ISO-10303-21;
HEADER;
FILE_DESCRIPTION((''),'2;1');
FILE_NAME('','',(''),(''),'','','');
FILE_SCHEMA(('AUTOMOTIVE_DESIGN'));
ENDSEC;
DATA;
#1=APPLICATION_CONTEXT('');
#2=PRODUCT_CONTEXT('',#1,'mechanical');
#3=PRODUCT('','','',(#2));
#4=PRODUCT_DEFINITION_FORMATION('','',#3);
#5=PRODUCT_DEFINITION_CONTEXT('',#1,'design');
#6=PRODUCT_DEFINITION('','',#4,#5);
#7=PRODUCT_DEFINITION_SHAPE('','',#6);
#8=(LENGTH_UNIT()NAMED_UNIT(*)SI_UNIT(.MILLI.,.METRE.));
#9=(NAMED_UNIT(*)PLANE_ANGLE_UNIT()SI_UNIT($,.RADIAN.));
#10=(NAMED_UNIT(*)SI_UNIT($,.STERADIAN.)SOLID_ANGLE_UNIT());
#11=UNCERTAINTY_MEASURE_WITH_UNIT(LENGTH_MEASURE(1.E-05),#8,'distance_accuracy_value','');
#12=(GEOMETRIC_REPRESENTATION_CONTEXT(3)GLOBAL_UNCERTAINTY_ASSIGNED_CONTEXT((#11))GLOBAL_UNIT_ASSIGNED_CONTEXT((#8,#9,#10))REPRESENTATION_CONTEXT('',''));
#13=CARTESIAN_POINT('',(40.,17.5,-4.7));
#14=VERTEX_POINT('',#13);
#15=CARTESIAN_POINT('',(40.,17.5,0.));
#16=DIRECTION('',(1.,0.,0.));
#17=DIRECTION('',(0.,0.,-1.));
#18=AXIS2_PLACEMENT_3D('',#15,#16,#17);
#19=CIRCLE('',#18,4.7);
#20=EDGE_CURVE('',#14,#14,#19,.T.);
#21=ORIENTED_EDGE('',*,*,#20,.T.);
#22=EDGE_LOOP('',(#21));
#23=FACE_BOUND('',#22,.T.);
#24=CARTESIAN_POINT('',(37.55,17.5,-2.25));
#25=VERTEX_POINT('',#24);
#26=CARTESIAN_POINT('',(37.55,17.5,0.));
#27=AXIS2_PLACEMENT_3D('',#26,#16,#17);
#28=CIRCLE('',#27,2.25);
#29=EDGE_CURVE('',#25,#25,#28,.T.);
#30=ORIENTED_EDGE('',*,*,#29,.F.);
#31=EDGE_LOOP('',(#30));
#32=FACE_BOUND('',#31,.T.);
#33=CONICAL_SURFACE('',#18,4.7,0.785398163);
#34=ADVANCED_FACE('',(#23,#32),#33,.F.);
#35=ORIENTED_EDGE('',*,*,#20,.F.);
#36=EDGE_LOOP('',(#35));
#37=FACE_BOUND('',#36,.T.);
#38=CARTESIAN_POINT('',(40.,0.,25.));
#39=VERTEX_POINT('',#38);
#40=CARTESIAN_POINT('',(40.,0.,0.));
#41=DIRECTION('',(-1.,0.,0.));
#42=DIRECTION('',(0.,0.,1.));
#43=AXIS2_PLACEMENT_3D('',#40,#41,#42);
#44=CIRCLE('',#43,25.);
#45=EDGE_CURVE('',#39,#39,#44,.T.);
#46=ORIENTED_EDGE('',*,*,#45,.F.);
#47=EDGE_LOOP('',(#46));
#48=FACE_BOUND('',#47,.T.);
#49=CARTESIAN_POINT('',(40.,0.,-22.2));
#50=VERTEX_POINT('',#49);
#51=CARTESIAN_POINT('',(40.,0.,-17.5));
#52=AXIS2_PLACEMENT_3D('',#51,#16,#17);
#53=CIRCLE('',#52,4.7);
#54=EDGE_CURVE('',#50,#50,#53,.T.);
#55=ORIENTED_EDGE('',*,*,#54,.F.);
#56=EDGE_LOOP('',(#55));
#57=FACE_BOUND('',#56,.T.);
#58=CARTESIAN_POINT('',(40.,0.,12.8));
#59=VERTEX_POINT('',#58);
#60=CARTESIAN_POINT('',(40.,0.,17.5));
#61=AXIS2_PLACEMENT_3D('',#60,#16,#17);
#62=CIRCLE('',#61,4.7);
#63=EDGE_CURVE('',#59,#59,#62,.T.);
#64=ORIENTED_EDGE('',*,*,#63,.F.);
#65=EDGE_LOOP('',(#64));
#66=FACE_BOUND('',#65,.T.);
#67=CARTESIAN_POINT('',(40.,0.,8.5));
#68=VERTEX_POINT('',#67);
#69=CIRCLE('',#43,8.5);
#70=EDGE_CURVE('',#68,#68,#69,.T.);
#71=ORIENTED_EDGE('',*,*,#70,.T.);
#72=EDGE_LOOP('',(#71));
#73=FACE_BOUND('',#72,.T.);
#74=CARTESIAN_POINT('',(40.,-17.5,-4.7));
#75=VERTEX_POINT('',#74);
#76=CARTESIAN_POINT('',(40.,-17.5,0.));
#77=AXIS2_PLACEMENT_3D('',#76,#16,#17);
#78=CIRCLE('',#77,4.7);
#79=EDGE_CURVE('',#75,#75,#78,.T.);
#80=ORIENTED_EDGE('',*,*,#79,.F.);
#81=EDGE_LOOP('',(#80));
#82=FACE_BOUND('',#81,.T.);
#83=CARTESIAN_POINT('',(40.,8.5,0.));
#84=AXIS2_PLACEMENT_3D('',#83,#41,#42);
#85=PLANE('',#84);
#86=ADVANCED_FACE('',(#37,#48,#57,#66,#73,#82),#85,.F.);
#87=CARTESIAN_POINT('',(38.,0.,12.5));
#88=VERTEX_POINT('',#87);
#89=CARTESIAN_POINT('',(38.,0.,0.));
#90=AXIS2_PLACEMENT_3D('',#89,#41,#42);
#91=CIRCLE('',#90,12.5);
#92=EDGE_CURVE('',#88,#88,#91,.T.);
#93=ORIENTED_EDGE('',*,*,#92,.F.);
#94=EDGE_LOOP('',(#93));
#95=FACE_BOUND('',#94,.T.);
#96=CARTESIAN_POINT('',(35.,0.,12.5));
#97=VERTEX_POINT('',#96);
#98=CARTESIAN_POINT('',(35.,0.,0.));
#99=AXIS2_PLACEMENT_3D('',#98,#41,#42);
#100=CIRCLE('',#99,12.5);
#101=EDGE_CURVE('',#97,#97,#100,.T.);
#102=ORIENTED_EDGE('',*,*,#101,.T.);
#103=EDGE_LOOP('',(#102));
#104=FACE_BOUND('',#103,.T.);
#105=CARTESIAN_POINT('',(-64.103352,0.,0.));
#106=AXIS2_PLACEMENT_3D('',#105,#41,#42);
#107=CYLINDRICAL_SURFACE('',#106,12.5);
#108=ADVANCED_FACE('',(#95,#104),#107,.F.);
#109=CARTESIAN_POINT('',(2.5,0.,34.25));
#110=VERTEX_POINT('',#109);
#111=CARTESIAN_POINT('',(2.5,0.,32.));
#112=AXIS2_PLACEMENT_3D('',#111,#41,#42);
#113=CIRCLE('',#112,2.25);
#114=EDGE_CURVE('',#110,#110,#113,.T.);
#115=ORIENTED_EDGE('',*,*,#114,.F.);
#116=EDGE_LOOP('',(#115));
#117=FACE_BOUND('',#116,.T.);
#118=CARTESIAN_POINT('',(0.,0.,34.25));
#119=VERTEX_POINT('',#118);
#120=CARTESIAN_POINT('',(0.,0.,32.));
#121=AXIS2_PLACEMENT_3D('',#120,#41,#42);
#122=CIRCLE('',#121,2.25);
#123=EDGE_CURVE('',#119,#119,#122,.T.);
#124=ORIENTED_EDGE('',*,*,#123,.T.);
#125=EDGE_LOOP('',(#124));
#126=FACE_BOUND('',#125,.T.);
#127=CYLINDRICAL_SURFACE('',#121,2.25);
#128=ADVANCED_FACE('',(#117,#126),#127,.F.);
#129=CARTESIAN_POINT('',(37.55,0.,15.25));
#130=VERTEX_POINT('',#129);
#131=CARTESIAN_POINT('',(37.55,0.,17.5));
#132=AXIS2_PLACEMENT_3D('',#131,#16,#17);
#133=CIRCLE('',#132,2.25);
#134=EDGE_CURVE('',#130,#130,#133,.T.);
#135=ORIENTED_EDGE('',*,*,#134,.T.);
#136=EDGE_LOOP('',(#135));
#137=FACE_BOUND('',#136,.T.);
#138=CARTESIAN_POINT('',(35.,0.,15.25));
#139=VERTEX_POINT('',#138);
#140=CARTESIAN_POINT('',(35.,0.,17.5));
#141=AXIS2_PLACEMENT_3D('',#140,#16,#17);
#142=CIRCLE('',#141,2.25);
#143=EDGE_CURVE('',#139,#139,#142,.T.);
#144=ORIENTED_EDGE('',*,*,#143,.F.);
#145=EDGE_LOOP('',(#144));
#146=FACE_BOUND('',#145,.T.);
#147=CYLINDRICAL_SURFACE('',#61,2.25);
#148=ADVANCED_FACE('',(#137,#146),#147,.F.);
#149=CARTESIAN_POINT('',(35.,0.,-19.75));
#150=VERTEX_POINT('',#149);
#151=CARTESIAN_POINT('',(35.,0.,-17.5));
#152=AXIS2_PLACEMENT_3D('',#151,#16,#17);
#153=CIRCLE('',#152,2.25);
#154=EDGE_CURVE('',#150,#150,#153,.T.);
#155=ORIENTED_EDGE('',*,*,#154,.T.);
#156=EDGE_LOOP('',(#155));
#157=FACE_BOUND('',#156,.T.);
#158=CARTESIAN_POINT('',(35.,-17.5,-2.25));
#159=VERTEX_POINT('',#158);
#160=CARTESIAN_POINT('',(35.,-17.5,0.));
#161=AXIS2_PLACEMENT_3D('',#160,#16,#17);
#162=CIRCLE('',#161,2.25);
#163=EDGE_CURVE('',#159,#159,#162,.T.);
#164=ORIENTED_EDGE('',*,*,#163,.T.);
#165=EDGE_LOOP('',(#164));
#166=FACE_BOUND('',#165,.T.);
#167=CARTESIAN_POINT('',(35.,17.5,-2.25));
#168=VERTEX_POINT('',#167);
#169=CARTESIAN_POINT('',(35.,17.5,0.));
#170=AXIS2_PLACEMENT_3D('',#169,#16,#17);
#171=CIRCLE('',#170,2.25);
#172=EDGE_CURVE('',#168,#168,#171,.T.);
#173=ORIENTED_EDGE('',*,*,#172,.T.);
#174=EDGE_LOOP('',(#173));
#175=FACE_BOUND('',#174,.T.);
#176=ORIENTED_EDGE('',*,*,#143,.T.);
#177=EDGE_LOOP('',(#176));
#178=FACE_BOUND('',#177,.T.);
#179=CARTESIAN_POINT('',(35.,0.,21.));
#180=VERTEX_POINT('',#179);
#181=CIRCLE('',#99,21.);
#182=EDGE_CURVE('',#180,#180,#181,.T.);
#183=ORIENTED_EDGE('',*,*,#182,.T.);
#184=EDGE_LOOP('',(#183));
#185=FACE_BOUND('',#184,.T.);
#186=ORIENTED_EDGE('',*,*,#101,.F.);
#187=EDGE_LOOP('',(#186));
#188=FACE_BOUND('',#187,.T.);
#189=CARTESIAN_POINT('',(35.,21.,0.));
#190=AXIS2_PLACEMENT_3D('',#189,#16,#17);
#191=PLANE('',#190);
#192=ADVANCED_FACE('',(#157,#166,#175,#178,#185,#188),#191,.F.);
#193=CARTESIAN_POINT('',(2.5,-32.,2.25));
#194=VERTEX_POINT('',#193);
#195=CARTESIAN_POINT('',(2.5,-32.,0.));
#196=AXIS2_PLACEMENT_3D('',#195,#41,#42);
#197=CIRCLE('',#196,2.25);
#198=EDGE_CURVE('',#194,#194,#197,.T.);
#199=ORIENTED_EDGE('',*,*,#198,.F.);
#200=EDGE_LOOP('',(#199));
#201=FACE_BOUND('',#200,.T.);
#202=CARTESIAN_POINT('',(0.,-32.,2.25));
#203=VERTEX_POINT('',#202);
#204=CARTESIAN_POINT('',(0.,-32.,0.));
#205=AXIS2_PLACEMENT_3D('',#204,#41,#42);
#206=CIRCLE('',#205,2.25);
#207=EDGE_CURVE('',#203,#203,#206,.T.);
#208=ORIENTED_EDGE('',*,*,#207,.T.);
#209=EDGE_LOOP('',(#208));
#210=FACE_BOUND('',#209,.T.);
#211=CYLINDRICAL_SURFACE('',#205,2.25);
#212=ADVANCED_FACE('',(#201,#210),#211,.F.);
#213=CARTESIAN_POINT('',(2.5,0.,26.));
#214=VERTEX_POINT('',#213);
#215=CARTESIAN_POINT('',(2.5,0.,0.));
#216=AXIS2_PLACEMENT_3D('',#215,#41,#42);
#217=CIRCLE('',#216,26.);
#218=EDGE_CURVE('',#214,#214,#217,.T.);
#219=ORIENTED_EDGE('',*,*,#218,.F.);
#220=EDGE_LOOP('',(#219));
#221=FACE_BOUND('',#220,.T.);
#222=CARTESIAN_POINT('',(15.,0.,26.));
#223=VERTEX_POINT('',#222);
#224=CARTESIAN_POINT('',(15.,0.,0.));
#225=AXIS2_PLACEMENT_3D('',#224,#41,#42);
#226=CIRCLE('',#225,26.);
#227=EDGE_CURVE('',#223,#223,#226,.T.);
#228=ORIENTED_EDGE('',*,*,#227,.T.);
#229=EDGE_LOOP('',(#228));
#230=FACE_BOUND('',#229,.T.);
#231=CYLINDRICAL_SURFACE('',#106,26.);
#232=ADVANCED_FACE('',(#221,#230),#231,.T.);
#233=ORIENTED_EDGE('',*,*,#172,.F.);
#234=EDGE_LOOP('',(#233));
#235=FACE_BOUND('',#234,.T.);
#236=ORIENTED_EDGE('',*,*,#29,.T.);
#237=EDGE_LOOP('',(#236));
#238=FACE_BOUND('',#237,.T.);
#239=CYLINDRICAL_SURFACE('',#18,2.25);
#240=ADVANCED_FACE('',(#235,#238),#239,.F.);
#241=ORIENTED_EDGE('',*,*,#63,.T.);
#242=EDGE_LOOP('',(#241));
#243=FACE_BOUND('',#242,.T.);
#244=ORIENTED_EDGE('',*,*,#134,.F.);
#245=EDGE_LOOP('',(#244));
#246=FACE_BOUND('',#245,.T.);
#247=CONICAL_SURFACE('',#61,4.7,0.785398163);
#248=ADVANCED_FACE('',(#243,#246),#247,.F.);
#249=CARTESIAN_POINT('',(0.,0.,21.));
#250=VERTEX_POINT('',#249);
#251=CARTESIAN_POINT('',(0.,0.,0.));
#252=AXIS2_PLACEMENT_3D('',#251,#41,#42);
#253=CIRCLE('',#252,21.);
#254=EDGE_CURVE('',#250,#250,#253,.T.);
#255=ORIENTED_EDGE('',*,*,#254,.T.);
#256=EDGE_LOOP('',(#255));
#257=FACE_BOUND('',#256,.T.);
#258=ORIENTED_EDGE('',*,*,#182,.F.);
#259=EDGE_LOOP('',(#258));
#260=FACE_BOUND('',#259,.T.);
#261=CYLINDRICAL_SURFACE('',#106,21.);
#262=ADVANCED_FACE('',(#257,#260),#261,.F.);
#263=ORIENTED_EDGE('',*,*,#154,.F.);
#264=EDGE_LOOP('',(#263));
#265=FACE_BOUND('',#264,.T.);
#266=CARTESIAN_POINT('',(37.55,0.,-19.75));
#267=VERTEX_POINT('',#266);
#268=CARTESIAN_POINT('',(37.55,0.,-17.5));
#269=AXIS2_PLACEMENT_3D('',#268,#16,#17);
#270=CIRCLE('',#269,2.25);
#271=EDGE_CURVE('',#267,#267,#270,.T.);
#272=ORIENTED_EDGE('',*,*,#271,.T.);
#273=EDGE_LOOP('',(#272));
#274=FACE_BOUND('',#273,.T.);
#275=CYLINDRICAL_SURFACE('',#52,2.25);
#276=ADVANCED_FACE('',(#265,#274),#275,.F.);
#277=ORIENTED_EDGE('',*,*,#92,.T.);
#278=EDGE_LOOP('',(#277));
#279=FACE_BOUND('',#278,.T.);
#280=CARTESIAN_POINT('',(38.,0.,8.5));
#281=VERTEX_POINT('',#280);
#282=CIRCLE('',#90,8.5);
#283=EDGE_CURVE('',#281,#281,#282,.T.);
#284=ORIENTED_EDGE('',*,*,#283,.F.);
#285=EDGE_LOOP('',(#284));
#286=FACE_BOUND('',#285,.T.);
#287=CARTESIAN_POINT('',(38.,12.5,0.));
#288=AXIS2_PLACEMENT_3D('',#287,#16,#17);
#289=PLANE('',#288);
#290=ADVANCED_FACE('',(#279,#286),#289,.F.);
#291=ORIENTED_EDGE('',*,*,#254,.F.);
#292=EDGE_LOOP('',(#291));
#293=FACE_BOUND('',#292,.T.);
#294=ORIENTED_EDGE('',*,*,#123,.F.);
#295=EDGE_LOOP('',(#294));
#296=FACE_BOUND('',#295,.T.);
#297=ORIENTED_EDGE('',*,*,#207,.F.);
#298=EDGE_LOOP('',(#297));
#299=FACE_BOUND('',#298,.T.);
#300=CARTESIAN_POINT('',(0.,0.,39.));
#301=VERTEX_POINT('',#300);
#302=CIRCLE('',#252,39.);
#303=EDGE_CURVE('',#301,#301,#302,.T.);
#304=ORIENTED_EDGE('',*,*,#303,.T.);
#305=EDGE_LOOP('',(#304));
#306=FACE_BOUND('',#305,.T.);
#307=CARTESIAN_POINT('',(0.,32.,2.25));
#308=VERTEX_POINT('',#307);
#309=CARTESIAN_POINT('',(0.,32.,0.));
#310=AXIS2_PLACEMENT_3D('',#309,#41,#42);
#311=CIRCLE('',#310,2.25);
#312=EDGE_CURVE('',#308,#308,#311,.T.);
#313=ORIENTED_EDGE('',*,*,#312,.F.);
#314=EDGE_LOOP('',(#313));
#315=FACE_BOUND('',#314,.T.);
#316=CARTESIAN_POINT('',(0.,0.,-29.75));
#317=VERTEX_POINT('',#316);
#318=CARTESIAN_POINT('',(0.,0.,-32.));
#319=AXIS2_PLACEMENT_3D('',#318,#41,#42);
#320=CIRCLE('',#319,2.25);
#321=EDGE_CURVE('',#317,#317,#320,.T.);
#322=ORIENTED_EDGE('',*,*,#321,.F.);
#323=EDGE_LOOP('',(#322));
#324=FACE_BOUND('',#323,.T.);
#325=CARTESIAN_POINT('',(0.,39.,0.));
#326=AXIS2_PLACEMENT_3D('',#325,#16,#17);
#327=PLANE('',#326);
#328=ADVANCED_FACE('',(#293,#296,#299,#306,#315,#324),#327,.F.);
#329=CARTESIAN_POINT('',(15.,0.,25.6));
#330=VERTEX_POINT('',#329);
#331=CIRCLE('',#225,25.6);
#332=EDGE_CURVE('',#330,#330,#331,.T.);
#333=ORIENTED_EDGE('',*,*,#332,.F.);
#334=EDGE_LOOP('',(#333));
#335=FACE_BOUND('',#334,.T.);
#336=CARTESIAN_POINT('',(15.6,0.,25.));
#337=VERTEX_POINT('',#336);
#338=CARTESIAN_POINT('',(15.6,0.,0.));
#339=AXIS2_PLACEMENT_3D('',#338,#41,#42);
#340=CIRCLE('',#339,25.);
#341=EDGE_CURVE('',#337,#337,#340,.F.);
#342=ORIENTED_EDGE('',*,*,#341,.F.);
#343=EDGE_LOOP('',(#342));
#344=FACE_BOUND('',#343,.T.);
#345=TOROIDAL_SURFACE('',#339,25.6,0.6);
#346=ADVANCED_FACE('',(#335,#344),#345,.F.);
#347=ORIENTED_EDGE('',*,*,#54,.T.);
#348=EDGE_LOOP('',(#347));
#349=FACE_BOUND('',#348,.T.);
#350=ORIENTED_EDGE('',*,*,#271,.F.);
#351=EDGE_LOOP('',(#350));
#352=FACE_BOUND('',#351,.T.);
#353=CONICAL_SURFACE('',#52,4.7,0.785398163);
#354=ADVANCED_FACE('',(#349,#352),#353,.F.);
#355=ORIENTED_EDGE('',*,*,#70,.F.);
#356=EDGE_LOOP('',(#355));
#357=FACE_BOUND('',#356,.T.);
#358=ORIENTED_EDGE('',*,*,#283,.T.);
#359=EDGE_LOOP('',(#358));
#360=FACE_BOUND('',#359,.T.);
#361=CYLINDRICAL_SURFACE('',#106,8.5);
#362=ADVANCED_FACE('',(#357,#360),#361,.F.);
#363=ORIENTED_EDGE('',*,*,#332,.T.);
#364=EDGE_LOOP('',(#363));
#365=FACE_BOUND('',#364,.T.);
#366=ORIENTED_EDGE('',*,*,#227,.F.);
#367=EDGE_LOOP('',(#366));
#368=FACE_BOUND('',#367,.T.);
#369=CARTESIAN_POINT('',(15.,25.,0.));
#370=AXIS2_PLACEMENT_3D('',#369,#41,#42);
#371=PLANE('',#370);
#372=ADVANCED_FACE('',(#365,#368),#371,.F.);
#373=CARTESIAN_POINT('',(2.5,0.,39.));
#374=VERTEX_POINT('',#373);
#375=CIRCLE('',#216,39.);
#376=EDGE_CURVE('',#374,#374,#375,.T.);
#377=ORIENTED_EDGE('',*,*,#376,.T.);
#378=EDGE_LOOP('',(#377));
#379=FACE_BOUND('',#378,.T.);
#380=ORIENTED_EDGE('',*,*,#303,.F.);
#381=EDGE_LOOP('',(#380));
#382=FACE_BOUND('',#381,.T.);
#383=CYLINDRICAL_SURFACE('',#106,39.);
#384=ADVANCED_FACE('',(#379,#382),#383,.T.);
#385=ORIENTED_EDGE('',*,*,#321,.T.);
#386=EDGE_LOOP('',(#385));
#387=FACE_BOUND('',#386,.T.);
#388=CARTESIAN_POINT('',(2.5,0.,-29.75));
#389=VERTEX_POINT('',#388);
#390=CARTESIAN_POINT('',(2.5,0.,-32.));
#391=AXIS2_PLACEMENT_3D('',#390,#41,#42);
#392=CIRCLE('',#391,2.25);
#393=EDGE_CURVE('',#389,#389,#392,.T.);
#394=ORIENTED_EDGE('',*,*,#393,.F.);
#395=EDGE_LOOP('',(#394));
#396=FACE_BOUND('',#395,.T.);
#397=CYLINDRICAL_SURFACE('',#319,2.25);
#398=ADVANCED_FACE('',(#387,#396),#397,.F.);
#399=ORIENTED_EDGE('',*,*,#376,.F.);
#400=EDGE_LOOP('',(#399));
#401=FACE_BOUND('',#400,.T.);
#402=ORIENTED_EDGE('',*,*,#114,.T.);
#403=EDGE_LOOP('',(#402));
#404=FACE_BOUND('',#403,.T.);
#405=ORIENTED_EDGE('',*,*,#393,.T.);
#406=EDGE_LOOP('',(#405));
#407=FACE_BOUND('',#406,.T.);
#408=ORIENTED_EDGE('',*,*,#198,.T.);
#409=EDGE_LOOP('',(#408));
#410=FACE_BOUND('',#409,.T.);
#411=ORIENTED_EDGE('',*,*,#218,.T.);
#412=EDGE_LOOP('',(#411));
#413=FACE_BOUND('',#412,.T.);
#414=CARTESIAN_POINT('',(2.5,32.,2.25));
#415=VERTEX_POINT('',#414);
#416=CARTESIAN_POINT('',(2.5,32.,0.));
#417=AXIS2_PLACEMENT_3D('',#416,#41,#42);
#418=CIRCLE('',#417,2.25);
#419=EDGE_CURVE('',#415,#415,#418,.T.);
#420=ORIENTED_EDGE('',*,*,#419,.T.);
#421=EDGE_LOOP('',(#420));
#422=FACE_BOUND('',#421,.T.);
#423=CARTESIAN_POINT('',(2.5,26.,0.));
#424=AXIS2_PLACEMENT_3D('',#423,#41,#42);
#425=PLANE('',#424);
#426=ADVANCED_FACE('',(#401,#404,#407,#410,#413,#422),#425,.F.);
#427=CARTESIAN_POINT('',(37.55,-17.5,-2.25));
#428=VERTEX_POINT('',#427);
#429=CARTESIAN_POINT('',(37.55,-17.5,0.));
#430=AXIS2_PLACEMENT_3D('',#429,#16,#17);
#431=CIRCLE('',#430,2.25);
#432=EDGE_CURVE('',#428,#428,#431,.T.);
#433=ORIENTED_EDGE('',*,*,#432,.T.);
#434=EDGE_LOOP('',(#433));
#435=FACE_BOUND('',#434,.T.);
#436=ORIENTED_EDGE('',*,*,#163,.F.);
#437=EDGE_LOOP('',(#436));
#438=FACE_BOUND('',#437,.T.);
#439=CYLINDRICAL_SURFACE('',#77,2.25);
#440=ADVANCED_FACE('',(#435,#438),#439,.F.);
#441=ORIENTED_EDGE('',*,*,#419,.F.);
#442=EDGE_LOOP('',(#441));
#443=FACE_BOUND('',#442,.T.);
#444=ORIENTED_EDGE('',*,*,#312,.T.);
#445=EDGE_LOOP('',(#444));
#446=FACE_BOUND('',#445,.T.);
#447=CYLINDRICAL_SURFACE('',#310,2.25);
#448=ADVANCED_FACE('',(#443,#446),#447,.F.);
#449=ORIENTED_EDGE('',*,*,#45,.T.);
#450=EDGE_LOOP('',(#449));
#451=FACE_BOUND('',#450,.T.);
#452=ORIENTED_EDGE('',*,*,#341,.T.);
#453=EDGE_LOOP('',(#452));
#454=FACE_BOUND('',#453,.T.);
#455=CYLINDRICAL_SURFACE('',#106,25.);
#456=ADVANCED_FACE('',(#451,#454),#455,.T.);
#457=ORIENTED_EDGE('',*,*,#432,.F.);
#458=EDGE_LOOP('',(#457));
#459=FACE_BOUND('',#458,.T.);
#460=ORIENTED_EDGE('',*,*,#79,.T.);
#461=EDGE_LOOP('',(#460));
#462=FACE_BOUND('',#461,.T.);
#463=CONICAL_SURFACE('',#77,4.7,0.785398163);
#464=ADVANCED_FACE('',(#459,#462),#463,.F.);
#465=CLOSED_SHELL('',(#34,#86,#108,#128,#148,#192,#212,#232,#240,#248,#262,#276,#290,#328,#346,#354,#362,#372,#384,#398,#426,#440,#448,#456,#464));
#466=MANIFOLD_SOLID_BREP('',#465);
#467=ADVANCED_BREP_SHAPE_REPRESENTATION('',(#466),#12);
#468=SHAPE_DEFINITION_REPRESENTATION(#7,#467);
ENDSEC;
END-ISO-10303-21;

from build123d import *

# Parameters (mm, degrees)
CSK_FOR_M4_FLAT_HEAD_MACHINE_SCREW1_D           = 4.5
CSK_FOR_M4_FLAT_HEAD_MACHINE_SCREW1_DEPTH       = 5
CSK_FOR_M4_FLAT_HEAD_MACHINE_SCREW1_CSINK_D     = 9.4
CSK_FOR_M4_FLAT_HEAD_MACHINE_SCREW1_CSINK_ANGLE = 90
FILLET1_R                                       = 0.6
M4_CLEARANCE_HOLE1_D                            = 4.5
M4_CLEARANCE_HOLE1_DEPTH                        = 2.5


with BuildPart() as part:
    # Sketch2 → Revolve1 (revolve)
    with BuildSketch(Plane.XY):
        Polygon((0, 21), (35, 21), (35, 12.5), (38, 12.5), (38, 8.5), (40, 8.5), (40, 25), (15, 25), (15, 26), (2.5, 26), (2.5, 39), (0, 39), (0, 26), align=None)
    revolve(axis=Axis((-64.103352454, 0, 0), (1, 0, 0)))

    # CSK for M4 Flat Head Machine Screw1
    with Locations(Plane(origin=(40, 0, 0), x_dir=(0, 0, -1), z_dir=(1, 0, 0))):
        with Locations((0, 17.5), (17.5, 0), (0, -17.5), (-17.5, 0)):
            CounterSinkHole(CSK_FOR_M4_FLAT_HEAD_MACHINE_SCREW1_D / 2, CSK_FOR_M4_FLAT_HEAD_MACHINE_SCREW1_CSINK_D / 2, depth=CSK_FOR_M4_FLAT_HEAD_MACHINE_SCREW1_DEPTH, counter_sink_angle=CSK_FOR_M4_FLAT_HEAD_MACHINE_SCREW1_CSINK_ANGLE)

    # Fillet1
    fillet1_edges = [part.edges().sort_by_distance(p)[0] for p in [
        (15, -25, 0),
    ]]
    fillet(fillet1_edges, radius=FILLET1_R)

    # M4 Clearance Hole1
    with Locations(Plane.ZY):
        with Locations((0, 32), (0, -32), (32, 0), (-32, 0)):
            Hole(M4_CLEARANCE_HOLE1_D / 2, depth=M4_CLEARANCE_HOLE1_DEPTH)


solid = part.part
